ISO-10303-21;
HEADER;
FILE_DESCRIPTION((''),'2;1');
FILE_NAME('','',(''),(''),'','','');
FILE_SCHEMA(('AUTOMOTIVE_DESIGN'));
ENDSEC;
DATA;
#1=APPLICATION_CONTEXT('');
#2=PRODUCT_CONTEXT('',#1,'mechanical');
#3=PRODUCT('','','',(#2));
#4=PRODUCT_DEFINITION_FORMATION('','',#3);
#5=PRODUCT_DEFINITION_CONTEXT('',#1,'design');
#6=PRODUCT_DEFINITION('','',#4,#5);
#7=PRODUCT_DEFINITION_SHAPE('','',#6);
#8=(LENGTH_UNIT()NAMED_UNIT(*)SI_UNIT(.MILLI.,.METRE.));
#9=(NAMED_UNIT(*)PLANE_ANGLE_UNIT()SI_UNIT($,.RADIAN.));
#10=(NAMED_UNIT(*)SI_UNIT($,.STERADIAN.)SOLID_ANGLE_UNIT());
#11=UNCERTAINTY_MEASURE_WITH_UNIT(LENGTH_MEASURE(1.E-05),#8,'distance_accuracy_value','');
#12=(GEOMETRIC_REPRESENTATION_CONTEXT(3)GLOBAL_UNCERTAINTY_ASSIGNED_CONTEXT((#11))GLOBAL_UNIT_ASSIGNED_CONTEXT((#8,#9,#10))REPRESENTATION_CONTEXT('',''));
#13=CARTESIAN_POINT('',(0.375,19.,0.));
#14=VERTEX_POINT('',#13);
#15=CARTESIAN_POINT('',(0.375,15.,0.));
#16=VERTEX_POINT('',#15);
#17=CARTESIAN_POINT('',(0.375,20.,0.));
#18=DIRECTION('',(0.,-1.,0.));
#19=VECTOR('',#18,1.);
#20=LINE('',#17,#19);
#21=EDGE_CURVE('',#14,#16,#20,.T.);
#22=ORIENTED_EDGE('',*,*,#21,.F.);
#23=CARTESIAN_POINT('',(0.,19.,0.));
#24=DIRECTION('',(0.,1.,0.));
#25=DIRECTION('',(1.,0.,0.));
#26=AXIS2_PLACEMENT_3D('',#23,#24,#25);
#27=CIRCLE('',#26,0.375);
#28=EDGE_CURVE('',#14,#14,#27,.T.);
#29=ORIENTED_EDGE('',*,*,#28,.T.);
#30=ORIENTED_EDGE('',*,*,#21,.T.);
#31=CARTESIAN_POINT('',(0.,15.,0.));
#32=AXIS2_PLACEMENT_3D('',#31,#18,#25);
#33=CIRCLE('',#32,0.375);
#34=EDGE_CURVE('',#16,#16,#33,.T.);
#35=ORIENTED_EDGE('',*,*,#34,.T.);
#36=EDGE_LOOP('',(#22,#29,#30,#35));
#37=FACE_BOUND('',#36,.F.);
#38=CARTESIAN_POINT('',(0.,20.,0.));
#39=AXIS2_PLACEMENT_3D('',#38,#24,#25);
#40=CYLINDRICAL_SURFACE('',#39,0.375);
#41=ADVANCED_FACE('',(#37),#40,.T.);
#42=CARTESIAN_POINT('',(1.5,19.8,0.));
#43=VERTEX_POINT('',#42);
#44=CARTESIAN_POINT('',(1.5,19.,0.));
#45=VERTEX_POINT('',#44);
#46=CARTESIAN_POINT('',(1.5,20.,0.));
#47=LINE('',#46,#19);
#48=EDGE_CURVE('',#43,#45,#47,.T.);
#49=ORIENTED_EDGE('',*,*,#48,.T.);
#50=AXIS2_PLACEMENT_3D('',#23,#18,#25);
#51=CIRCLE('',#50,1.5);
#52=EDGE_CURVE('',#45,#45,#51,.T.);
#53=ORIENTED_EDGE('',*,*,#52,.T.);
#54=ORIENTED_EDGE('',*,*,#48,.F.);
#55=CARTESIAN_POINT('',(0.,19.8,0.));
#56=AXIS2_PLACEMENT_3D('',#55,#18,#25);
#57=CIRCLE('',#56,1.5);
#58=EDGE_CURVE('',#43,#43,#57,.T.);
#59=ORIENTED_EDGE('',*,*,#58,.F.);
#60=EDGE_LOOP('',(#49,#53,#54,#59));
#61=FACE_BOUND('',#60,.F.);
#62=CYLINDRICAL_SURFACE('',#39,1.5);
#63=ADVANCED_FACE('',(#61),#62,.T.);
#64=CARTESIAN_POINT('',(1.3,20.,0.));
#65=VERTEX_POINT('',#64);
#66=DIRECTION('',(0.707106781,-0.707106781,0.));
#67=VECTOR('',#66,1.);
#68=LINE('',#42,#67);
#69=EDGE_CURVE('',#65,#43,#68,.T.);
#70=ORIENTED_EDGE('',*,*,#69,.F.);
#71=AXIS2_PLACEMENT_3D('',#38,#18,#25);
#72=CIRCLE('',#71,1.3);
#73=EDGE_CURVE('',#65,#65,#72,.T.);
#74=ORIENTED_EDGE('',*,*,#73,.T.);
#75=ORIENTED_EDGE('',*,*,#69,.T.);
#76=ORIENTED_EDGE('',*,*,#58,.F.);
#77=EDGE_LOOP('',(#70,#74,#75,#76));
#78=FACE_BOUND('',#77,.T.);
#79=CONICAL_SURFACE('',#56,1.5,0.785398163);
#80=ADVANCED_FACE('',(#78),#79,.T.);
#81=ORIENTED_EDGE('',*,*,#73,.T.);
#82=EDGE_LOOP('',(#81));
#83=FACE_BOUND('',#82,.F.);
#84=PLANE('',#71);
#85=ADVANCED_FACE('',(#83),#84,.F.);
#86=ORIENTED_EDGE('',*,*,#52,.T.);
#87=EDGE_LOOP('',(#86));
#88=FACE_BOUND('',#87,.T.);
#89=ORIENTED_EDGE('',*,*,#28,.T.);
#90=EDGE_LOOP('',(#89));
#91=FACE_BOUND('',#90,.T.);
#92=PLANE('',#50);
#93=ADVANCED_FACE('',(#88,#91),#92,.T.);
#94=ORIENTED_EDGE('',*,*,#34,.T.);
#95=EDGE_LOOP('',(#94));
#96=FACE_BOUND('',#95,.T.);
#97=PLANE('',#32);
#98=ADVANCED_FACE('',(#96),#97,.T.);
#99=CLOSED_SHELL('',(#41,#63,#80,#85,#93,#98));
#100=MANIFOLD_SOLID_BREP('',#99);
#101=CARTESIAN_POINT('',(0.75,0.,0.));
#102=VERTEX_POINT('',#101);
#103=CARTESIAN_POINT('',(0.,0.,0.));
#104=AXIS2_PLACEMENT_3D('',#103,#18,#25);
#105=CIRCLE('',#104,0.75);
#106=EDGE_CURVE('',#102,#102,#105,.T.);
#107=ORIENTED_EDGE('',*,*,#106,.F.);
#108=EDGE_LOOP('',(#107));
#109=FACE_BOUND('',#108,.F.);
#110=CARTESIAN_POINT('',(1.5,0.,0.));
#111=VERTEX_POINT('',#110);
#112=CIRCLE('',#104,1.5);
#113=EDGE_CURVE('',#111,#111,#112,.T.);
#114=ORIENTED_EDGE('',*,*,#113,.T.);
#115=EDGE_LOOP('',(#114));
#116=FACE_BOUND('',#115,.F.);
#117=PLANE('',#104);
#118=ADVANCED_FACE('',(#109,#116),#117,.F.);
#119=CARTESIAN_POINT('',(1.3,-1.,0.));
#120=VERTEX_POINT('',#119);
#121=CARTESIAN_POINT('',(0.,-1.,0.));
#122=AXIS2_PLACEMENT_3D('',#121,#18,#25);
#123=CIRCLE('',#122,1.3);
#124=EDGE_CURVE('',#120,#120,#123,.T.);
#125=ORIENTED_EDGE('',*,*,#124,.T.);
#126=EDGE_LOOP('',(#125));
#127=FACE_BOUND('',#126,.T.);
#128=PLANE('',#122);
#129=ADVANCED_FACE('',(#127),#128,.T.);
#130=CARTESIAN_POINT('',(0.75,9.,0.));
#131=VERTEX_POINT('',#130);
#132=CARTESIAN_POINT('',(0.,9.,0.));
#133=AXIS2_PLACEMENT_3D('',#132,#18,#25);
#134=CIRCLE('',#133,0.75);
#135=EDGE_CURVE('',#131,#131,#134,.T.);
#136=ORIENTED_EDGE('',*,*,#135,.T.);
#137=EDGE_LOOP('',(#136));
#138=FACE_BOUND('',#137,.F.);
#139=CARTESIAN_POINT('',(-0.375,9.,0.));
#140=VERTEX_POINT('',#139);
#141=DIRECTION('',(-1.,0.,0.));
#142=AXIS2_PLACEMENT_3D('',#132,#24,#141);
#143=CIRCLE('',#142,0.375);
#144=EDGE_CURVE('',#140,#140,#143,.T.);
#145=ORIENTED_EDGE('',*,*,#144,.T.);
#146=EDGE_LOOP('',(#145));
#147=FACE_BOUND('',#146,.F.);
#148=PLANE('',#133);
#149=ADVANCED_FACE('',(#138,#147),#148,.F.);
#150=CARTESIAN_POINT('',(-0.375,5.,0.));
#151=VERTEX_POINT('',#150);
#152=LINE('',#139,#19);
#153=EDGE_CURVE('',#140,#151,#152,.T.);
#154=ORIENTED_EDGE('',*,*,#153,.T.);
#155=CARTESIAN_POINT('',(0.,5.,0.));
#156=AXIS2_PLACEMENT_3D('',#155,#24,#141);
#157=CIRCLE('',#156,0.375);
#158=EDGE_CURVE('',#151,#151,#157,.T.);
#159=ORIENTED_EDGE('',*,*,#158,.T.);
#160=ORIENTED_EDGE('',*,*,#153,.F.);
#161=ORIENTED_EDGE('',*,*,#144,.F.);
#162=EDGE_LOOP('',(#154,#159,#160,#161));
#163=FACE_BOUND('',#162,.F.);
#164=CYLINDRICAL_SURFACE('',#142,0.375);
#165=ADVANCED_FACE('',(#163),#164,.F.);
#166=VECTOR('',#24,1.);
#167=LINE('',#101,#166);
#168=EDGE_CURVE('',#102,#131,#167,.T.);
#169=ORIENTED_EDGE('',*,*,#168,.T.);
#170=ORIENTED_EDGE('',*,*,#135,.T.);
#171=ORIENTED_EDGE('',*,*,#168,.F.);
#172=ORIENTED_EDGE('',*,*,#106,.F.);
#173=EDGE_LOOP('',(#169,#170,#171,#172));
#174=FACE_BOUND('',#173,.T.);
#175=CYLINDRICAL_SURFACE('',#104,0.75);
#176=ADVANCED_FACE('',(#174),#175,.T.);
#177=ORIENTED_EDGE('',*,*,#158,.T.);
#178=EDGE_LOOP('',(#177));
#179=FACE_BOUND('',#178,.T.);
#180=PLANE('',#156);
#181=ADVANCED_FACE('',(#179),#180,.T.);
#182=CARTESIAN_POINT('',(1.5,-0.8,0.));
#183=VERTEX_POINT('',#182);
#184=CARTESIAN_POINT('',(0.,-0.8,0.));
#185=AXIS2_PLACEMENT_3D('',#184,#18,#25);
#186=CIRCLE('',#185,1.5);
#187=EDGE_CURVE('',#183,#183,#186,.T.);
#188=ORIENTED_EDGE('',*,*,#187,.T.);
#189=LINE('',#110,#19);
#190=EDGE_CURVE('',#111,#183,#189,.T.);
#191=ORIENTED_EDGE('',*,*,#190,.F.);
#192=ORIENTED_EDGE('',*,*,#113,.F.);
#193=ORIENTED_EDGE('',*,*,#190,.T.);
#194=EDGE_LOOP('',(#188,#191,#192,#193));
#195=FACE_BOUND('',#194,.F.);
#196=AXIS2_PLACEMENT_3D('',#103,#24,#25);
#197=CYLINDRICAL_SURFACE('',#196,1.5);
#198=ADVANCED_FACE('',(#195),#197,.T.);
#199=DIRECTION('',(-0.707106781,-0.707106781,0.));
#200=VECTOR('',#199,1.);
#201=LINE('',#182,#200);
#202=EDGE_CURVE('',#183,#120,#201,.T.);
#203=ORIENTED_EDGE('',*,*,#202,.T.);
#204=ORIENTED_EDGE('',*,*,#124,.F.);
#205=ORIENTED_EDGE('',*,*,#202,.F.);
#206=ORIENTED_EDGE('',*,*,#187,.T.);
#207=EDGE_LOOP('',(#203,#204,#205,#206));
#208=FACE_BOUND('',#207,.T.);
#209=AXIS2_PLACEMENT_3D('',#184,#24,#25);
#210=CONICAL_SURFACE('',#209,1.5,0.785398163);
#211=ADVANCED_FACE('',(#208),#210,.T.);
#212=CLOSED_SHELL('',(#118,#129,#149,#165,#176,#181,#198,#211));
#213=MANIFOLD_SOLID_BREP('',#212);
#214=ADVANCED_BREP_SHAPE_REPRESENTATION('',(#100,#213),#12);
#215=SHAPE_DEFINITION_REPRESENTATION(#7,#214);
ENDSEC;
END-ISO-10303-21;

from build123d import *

# Parameters (mm, degrees)
F0_R      = 1.5
F0_R_2    = 0.75
F1_DEPTH  = 1
F2_DEPTH  = 9
F3_R      = 0.375
F4_DEPTH  = 4
F6_R      = 1.5
F6_R_2    = 0.375
F7_DEPTH  = 1
F8_DEPTH  = 5
F9_SIZE   = 0.2
F9_2_SIZE = 0.2


with BuildPart() as f1:
    # F0 (on Front) → F1 (new body)
    with BuildSketch(Plane.XZ):
        Circle(F0_R)
        Circle(F0_R_2, mode=Mode.SUBTRACT)
        Circle(F0_R_2)
    extrude(amount=F1_DEPTH)

    # F0 (on Front) → F2 (join)
    with BuildSketch(Plane.XZ):
        Circle(F0_R_2)
    extrude(amount=-F2_DEPTH)

    # F3 (on face) → F4 (cut)
    with BuildSketch(Plane(origin=(0, 9, 0), x_dir=(-1, 0, 0), z_dir=(0, 1, 0))):
        Circle(F3_R)
    extrude(amount=-F4_DEPTH, mode=Mode.SUBTRACT)

    # F9
    f9_edges = [f1.edges().sort_by_distance(p)[0] for p in [
        (-1.5, -1, 0),
    ]]
    chamfer(f9_edges, length=F9_SIZE)


with BuildPart() as f7:
    # F6 (on offset) → F7 (new body)
    with BuildSketch(Plane.XZ.offset(-20)):
        Circle(F6_R)
        Circle(F6_R_2, mode=Mode.SUBTRACT)
        Circle(F6_R_2)
    extrude(amount=F7_DEPTH)

    # F6 (on offset) → F8 (join)
    with BuildSketch(Plane.XZ.offset(-20)):
        Circle(F6_R_2)
    extrude(amount=F8_DEPTH)

    # F9#2
    f9_2_edges = [f7.edges().sort_by_distance(p)[0] for p in [
        (-1.5, 20, 0),
    ]]
    chamfer(f9_2_edges, length=F9_2_SIZE)


solid = Compound([f1.part, f7.part])
